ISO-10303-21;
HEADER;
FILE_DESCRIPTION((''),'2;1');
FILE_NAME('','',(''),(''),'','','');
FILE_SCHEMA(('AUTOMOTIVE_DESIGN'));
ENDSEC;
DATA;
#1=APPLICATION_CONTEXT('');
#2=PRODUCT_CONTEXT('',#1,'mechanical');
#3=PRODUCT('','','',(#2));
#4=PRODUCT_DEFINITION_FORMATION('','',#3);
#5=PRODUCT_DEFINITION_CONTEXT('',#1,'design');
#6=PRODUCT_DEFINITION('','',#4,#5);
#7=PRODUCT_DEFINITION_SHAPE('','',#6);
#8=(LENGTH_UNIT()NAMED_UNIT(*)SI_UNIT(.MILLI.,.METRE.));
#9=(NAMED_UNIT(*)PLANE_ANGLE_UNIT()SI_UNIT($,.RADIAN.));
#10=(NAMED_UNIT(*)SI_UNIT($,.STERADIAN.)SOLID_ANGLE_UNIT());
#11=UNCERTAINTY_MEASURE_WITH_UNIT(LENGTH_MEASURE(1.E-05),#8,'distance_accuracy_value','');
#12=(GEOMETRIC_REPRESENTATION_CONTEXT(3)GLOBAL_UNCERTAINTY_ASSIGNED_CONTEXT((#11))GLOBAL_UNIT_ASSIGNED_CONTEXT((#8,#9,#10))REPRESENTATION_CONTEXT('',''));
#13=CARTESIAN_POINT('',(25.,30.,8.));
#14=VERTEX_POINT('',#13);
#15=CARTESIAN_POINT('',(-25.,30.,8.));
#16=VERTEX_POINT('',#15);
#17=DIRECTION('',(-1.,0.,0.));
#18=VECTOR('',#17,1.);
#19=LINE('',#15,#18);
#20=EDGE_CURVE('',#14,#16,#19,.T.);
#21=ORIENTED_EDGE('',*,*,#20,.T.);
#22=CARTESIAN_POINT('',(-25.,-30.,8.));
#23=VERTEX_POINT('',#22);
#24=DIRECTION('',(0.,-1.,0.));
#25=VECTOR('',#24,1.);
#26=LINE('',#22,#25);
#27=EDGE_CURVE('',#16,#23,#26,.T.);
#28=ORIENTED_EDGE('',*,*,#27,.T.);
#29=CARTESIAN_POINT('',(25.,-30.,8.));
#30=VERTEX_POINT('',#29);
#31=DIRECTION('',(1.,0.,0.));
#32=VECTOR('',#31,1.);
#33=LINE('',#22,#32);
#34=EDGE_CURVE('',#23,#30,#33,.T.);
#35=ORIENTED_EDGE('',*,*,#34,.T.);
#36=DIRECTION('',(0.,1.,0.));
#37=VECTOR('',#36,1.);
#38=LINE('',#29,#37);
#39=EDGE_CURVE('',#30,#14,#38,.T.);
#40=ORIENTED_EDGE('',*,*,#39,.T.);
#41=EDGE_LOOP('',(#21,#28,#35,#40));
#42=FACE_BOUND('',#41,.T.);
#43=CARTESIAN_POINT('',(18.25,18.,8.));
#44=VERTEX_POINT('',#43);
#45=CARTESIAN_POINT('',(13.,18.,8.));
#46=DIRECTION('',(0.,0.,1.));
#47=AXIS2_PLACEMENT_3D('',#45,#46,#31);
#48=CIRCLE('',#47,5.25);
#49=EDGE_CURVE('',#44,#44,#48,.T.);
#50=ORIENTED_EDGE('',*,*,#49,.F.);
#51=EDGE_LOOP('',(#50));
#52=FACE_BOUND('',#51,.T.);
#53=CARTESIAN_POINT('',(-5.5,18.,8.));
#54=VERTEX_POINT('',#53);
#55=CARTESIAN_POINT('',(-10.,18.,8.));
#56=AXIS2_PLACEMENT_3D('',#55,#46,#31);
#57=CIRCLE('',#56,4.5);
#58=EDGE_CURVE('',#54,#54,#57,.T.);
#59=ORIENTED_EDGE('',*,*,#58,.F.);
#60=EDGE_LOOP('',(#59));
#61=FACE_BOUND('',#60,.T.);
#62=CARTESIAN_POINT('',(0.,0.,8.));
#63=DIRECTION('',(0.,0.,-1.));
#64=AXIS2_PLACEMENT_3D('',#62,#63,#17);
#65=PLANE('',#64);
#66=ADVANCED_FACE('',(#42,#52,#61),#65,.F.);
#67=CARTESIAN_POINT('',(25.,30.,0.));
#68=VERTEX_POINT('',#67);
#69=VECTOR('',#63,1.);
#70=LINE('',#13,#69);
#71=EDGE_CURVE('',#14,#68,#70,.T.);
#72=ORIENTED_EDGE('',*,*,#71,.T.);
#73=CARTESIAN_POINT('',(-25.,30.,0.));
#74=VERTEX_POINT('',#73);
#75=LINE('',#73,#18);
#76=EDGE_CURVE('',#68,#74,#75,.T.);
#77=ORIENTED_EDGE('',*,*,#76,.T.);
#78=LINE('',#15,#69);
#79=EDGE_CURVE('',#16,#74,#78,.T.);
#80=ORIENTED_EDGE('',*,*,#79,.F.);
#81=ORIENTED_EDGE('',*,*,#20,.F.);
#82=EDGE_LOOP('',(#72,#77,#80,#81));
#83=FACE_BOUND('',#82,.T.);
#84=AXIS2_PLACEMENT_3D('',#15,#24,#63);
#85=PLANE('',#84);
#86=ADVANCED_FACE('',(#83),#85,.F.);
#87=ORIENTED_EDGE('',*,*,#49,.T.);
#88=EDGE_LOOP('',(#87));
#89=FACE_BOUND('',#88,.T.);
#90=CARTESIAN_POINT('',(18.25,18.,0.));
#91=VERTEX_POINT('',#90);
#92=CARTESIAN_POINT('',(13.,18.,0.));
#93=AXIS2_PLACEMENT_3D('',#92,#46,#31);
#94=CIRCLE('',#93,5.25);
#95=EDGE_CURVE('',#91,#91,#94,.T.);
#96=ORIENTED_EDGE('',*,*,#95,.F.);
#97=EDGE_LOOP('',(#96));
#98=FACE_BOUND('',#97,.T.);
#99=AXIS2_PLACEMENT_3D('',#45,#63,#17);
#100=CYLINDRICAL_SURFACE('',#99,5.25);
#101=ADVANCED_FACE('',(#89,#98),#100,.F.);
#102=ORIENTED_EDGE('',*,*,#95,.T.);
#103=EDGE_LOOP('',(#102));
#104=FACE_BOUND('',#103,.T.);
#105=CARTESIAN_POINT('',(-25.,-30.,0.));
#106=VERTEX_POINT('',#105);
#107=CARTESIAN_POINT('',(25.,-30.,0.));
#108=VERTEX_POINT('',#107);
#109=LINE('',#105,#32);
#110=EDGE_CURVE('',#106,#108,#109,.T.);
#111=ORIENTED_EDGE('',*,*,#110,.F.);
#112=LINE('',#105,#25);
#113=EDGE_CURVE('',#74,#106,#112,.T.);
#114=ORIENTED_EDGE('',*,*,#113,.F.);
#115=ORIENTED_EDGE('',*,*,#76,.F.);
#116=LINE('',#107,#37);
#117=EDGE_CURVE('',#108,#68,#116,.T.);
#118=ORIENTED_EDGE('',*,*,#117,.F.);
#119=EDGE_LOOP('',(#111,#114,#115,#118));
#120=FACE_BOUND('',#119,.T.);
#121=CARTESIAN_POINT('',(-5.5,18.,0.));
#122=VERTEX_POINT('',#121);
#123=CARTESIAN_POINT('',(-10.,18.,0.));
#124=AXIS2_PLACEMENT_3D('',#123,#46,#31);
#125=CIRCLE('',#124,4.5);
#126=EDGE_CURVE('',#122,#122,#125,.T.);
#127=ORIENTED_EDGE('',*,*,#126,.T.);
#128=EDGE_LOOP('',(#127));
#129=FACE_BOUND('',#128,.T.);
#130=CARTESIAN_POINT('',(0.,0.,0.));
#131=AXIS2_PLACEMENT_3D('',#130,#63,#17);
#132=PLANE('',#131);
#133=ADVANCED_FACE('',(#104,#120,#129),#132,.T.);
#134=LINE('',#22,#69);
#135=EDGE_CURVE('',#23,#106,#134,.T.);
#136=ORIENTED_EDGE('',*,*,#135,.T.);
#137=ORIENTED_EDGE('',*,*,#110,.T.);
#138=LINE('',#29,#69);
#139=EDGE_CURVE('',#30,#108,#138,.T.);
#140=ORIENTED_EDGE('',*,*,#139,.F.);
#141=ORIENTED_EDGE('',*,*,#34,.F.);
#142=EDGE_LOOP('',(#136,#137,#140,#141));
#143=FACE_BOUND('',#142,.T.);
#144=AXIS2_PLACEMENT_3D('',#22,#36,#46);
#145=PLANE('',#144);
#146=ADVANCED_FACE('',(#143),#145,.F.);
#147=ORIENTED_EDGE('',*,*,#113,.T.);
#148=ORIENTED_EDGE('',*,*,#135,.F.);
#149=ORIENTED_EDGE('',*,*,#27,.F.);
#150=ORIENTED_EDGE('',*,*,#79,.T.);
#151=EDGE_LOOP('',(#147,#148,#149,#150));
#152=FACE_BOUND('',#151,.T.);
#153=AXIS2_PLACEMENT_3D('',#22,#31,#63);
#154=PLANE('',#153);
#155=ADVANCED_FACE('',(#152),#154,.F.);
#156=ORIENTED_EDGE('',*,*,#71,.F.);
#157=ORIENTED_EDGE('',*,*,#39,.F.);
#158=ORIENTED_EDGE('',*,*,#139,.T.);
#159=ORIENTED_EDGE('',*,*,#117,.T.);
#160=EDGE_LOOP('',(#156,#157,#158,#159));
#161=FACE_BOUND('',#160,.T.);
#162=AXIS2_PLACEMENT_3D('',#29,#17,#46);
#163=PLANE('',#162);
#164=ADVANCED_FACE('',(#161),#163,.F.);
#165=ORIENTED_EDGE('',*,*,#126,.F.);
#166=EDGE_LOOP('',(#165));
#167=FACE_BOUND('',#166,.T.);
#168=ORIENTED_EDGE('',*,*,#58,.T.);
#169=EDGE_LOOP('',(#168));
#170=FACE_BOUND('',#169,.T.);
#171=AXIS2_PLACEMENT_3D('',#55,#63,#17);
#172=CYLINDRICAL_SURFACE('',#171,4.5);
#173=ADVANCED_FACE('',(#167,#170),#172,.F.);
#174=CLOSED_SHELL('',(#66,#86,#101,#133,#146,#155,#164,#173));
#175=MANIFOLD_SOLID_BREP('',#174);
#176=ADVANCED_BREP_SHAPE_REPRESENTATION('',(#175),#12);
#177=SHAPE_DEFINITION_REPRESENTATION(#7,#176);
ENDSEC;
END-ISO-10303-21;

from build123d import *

# Parameters (mm, degrees)
SKETCH1_W           = 50
SKETCH1_H           = 60
SKETCH1_R           = 4.5
BOSS_EXTRUDE1_DEPTH = 8
SKETCH2_R           = 5.25
CUT_EXTRUDE2_DEPTH  = 40.862262856


with BuildPart() as part:
    # Sketch1 → Boss-Extrude1 (new body)
    with BuildSketch(Plane.XY):
        Rectangle(SKETCH1_W, SKETCH1_H)
        with Locations((-10, 18)):
            Circle(SKETCH1_R, mode=Mode.SUBTRACT)
    extrude(amount=BOSS_EXTRUDE1_DEPTH)

    # Sketch2 → Cut-Extrude2 (cut, through all)
    with BuildSketch(Plane.XY):
        with Locations((13, 18)):
            Circle(SKETCH2_R)
    extrude(amount=CUT_EXTRUDE2_DEPTH, mode=Mode.SUBTRACT)


solid = part.part
